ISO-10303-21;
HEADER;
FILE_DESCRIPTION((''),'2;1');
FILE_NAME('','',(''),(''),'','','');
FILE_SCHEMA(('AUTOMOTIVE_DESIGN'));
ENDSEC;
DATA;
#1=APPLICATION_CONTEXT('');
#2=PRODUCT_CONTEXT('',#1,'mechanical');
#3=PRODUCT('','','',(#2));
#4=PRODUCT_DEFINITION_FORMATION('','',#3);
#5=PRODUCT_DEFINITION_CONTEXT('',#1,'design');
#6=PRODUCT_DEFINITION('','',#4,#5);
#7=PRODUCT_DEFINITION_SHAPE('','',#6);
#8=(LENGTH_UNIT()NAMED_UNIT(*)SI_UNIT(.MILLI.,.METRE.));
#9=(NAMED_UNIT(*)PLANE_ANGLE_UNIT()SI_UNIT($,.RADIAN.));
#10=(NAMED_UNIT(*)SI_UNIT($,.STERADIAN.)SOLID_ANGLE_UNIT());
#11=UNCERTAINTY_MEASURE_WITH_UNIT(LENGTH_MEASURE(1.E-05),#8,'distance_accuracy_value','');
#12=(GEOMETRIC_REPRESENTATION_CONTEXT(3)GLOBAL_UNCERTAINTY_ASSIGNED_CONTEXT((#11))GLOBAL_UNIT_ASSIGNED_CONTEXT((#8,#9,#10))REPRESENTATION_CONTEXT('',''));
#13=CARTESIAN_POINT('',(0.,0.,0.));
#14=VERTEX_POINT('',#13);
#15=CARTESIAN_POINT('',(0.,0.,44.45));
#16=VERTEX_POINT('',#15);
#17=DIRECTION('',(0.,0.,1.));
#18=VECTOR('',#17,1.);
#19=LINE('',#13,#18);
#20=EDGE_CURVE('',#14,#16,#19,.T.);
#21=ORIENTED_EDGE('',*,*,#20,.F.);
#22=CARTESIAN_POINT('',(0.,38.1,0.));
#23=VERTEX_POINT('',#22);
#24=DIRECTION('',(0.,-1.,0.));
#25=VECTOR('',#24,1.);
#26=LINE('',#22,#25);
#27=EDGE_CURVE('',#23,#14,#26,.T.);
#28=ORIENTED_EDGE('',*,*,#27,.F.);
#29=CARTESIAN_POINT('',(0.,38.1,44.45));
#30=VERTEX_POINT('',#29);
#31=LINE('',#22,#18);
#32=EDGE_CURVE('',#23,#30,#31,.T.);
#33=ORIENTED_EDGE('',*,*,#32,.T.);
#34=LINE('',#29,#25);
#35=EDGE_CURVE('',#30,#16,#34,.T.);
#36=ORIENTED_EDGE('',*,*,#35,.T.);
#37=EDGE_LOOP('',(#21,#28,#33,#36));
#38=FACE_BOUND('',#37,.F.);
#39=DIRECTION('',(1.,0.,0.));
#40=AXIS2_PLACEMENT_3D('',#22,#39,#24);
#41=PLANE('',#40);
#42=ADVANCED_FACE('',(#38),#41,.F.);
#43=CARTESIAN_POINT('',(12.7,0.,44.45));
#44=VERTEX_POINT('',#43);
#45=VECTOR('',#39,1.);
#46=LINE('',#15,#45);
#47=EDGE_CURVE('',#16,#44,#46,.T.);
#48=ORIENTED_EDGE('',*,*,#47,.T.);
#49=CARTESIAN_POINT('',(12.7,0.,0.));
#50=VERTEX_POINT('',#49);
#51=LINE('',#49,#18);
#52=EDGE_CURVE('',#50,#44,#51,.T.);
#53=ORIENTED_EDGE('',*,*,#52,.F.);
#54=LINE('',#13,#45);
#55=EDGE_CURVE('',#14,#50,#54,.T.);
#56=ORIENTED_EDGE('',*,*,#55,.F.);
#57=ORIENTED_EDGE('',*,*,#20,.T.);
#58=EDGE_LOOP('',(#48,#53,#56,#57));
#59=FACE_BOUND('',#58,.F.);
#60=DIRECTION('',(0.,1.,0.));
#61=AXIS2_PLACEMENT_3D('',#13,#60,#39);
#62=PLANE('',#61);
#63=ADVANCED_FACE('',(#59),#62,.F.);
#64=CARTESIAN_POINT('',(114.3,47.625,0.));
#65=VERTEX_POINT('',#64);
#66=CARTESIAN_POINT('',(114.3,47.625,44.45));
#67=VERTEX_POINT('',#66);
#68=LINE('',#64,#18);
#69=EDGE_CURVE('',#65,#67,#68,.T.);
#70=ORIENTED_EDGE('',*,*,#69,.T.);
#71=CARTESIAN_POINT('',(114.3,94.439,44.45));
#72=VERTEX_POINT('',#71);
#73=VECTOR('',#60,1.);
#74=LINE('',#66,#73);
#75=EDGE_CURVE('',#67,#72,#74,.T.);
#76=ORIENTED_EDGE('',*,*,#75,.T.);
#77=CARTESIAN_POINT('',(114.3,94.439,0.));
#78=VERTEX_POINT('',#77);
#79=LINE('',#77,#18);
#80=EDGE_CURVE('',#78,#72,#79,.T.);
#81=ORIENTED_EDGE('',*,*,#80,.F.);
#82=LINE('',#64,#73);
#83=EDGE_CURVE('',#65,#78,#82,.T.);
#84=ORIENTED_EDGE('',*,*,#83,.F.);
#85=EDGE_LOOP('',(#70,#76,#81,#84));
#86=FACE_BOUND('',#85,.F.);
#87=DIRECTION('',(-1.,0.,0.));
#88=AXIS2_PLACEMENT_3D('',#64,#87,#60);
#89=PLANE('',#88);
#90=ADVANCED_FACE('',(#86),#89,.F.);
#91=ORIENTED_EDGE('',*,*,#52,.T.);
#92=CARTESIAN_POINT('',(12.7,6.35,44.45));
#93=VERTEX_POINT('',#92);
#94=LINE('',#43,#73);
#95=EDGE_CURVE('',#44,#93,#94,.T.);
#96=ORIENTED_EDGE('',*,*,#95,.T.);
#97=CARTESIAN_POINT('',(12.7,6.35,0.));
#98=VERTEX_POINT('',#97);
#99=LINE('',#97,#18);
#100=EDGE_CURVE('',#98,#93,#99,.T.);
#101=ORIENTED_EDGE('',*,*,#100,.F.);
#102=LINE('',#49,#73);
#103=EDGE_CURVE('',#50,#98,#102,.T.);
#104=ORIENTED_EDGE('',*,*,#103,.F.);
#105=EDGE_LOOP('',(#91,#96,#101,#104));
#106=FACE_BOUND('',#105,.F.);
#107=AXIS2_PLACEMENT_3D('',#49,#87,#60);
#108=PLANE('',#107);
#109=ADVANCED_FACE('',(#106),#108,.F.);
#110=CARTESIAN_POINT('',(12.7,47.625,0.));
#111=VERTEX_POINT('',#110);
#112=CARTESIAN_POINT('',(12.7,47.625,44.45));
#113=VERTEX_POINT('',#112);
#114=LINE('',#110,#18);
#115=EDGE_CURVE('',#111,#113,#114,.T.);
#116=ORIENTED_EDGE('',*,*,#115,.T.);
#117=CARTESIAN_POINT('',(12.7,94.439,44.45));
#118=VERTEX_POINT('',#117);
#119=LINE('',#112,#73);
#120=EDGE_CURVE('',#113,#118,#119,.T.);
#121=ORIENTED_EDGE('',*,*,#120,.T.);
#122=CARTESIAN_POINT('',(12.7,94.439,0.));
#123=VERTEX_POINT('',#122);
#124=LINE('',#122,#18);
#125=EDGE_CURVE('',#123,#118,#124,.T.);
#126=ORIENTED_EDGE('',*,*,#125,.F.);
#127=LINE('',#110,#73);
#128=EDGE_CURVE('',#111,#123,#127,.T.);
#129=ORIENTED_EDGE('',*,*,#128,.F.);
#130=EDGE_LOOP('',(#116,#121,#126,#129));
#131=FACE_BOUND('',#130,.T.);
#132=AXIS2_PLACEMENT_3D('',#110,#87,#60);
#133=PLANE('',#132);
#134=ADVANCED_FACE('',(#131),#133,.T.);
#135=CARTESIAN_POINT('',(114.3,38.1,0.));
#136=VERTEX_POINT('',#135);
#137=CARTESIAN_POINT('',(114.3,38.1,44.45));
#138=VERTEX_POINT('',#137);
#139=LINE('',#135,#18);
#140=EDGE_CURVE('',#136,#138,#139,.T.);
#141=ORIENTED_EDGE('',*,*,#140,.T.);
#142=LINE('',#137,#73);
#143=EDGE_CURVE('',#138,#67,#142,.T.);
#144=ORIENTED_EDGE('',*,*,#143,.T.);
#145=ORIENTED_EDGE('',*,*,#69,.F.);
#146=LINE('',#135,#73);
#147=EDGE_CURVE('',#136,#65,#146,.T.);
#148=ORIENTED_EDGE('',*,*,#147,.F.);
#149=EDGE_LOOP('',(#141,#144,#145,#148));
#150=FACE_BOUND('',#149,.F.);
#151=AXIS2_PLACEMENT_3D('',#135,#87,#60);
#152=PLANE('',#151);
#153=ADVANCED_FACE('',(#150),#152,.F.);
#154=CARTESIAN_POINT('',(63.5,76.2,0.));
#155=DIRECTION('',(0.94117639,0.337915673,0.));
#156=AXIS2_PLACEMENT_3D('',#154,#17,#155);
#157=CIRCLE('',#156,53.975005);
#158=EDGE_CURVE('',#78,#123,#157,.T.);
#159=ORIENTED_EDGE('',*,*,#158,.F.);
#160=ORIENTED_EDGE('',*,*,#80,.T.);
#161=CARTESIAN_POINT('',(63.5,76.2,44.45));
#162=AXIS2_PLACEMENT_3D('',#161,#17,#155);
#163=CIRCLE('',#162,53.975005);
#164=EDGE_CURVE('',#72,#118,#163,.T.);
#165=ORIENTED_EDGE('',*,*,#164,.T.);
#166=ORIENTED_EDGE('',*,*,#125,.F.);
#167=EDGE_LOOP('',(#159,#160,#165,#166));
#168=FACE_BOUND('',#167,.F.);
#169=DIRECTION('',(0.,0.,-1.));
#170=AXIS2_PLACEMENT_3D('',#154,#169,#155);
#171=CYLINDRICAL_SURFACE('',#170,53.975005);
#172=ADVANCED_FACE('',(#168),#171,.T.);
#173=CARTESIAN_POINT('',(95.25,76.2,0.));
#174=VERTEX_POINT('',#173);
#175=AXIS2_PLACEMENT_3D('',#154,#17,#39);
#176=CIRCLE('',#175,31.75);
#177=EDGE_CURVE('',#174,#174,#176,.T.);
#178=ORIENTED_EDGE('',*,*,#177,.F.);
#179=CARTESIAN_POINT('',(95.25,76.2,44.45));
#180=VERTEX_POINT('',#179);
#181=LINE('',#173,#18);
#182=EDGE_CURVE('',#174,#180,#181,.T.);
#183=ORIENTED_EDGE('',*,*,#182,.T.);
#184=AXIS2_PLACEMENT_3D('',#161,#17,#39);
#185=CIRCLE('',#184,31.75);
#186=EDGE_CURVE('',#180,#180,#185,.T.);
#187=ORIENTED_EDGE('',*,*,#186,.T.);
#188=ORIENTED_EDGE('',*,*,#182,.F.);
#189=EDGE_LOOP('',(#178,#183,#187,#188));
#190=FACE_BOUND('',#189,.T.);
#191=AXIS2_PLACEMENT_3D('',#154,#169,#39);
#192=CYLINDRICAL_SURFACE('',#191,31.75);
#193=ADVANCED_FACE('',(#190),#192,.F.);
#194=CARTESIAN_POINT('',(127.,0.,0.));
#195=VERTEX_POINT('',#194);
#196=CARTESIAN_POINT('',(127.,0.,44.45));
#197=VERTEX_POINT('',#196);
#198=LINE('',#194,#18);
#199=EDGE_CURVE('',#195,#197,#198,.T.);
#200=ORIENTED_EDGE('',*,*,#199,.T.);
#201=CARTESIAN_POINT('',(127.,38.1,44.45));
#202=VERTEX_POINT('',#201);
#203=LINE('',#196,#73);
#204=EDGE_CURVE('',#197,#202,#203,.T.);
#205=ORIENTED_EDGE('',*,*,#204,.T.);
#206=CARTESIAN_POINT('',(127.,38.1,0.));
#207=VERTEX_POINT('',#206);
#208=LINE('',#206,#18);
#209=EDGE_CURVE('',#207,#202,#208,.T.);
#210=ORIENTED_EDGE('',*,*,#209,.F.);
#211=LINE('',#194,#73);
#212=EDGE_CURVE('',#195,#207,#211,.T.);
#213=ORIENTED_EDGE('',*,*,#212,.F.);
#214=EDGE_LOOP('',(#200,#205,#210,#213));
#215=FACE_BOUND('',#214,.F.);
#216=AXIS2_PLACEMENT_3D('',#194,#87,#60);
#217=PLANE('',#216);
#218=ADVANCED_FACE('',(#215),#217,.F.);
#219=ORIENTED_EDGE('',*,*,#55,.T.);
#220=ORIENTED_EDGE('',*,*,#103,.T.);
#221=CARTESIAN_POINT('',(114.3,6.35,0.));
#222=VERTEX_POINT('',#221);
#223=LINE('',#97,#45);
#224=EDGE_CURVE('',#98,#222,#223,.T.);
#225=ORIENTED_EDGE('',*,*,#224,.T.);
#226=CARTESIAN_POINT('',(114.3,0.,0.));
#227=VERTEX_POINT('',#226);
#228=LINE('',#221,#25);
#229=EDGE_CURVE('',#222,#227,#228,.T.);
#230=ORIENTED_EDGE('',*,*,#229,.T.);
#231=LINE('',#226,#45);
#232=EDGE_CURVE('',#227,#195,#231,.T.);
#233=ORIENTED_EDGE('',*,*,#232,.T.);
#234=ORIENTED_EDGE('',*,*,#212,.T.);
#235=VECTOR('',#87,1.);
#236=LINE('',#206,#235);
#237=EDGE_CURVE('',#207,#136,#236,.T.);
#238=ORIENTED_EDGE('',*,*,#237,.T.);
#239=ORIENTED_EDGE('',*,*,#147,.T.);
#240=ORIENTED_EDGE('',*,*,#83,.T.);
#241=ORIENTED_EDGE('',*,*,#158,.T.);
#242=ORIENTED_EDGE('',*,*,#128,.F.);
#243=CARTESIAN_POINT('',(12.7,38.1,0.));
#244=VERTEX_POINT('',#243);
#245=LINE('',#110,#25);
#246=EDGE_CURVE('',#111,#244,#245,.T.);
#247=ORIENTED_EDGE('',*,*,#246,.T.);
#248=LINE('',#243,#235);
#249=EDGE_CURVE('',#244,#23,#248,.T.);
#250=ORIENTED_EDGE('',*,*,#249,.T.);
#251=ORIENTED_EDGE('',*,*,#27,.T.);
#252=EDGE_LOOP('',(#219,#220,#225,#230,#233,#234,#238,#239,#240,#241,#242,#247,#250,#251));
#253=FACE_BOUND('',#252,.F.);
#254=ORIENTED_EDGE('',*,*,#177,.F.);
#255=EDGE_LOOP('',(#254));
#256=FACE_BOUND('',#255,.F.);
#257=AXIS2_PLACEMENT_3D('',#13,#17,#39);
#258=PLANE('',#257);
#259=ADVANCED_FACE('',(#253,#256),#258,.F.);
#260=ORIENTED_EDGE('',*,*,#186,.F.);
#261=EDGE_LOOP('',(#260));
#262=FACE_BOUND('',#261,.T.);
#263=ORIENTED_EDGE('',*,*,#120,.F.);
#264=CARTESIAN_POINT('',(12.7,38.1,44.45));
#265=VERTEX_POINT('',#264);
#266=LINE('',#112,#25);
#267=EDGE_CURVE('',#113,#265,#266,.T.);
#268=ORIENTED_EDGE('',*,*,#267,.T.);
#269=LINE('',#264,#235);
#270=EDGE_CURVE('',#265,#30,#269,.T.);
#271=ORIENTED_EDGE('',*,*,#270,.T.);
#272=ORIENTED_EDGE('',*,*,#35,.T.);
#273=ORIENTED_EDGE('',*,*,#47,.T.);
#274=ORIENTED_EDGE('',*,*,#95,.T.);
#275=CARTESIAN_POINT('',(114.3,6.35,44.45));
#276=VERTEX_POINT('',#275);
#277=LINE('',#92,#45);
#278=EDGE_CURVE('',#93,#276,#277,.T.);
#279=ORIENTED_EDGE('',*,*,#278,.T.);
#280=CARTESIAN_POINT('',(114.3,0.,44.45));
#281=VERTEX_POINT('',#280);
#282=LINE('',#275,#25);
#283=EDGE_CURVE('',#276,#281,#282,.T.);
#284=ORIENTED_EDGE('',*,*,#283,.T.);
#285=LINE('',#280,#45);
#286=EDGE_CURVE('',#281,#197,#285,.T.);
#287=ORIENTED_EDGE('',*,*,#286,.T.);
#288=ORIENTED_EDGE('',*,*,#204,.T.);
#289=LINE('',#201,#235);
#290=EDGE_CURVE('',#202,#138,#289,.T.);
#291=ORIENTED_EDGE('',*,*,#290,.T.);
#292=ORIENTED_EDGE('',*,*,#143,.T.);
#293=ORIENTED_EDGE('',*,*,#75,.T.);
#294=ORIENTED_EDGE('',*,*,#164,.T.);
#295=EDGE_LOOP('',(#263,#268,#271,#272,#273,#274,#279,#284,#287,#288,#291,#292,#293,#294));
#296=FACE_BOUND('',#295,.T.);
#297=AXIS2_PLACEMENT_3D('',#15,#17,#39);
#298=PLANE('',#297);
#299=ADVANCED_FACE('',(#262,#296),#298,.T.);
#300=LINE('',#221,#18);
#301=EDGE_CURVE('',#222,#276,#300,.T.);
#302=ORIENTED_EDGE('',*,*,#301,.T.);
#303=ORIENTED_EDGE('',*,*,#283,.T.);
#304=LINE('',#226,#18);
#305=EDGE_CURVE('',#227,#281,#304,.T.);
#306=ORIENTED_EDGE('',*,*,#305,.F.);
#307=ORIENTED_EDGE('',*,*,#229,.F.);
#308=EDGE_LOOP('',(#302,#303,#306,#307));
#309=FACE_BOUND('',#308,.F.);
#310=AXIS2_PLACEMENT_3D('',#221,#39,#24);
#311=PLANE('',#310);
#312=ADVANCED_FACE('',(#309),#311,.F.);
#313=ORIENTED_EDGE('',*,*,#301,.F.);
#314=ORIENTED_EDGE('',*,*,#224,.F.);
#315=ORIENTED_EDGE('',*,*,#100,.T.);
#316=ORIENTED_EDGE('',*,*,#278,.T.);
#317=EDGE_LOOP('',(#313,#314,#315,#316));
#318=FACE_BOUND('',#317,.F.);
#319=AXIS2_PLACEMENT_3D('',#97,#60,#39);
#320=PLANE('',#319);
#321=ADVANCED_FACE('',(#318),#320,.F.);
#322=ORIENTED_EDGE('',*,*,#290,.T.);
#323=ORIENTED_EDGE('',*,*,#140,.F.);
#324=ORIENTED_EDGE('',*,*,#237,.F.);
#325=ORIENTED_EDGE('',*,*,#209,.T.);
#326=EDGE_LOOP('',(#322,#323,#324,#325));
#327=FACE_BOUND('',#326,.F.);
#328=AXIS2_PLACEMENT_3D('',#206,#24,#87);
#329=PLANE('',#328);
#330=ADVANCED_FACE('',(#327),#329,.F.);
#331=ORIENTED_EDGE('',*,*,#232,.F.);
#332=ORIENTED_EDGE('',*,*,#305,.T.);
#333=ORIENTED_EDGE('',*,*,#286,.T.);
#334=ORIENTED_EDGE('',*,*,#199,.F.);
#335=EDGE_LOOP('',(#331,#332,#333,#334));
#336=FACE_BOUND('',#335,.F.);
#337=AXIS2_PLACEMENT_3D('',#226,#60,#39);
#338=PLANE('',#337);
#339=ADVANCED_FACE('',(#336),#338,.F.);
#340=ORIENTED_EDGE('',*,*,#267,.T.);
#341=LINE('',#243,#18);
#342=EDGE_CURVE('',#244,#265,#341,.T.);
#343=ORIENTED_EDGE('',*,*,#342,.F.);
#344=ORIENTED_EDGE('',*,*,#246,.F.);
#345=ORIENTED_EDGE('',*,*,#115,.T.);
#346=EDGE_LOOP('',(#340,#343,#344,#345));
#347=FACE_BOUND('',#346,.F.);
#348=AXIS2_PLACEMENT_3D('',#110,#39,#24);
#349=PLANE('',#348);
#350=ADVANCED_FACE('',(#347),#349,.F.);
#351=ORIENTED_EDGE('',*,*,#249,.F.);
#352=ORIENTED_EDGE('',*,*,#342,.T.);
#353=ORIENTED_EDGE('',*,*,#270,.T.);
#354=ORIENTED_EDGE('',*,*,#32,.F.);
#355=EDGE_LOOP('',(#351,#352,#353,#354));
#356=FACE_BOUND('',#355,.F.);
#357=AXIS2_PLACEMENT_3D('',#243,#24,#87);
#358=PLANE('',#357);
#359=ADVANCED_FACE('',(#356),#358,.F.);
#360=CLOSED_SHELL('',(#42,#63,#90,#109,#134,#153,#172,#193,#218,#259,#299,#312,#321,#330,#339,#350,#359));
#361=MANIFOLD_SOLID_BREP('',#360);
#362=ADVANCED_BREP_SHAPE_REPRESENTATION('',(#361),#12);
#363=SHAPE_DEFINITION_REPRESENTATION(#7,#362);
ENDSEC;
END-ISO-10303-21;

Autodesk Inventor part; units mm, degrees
ref_plane "YZ Plane" through (0, 0, 0) normal (1, 0, 0) x (0, 1, 0)
ref_plane "XZ Plane" through (0, 0, 0) normal (0, 1, 0) x (-1, 0, 0)
ref_plane "XY Plane" through (0, 0, 0) normal (0, 0, 1) x (1, 0, 0)
sketch "Sketch1" plane through (0, 0, 0) normal (0, 0, 1) x (1, 0, 0)
  line L0 (0, 0) -> (12.7, 0)
  line L1 (12.7, 0) -> (12.7, 6.35)
  line L2 (12.7, 6.35) -> (114.3, 6.35)
  line L3 (114.3, 6.35) -> (114.3, 0)
  line L4 (114.3, 0) -> (127, 0)
  line L5 (127, 0) -> (127, 38.1)
  line L6 (127, 38.1) -> (114.3, 38.1)
  line L7 (114.3, 38.1) -> (114.3, 47.625)
  line L8 (12.7, 47.625) -> (12.7, 38.1)
  line L9 (12.7, 38.1) -> (0, 38.1)
  line L10 (0, 38.1) -> (0, 0)
  circle A0 centre (63.5, 76.2) radius 31.75
  line L11 (12.7, 47.625) -> (12.7, 94.439)
  line L12 (114.3, 47.625) -> (114.3, 94.439)
  arc A1 (114.3, 94.439) -> (12.7, 94.439) centre (63.5, 76.2) ccw
  dimension "d0" = 38.1
  dimension "d1" = 101.6
  dimension "d2" = 12.7
  dimension "d3" = 6.35
  dimension "d4" = 63.5
  dimension "d5" = 76.2
  dimension "d6" = 63.5
extrude "Extrusion1" add sketch "Sketch1" along normal blind 44.45
properties part number "HW 4 Part 5" material "Iron, Cast"
